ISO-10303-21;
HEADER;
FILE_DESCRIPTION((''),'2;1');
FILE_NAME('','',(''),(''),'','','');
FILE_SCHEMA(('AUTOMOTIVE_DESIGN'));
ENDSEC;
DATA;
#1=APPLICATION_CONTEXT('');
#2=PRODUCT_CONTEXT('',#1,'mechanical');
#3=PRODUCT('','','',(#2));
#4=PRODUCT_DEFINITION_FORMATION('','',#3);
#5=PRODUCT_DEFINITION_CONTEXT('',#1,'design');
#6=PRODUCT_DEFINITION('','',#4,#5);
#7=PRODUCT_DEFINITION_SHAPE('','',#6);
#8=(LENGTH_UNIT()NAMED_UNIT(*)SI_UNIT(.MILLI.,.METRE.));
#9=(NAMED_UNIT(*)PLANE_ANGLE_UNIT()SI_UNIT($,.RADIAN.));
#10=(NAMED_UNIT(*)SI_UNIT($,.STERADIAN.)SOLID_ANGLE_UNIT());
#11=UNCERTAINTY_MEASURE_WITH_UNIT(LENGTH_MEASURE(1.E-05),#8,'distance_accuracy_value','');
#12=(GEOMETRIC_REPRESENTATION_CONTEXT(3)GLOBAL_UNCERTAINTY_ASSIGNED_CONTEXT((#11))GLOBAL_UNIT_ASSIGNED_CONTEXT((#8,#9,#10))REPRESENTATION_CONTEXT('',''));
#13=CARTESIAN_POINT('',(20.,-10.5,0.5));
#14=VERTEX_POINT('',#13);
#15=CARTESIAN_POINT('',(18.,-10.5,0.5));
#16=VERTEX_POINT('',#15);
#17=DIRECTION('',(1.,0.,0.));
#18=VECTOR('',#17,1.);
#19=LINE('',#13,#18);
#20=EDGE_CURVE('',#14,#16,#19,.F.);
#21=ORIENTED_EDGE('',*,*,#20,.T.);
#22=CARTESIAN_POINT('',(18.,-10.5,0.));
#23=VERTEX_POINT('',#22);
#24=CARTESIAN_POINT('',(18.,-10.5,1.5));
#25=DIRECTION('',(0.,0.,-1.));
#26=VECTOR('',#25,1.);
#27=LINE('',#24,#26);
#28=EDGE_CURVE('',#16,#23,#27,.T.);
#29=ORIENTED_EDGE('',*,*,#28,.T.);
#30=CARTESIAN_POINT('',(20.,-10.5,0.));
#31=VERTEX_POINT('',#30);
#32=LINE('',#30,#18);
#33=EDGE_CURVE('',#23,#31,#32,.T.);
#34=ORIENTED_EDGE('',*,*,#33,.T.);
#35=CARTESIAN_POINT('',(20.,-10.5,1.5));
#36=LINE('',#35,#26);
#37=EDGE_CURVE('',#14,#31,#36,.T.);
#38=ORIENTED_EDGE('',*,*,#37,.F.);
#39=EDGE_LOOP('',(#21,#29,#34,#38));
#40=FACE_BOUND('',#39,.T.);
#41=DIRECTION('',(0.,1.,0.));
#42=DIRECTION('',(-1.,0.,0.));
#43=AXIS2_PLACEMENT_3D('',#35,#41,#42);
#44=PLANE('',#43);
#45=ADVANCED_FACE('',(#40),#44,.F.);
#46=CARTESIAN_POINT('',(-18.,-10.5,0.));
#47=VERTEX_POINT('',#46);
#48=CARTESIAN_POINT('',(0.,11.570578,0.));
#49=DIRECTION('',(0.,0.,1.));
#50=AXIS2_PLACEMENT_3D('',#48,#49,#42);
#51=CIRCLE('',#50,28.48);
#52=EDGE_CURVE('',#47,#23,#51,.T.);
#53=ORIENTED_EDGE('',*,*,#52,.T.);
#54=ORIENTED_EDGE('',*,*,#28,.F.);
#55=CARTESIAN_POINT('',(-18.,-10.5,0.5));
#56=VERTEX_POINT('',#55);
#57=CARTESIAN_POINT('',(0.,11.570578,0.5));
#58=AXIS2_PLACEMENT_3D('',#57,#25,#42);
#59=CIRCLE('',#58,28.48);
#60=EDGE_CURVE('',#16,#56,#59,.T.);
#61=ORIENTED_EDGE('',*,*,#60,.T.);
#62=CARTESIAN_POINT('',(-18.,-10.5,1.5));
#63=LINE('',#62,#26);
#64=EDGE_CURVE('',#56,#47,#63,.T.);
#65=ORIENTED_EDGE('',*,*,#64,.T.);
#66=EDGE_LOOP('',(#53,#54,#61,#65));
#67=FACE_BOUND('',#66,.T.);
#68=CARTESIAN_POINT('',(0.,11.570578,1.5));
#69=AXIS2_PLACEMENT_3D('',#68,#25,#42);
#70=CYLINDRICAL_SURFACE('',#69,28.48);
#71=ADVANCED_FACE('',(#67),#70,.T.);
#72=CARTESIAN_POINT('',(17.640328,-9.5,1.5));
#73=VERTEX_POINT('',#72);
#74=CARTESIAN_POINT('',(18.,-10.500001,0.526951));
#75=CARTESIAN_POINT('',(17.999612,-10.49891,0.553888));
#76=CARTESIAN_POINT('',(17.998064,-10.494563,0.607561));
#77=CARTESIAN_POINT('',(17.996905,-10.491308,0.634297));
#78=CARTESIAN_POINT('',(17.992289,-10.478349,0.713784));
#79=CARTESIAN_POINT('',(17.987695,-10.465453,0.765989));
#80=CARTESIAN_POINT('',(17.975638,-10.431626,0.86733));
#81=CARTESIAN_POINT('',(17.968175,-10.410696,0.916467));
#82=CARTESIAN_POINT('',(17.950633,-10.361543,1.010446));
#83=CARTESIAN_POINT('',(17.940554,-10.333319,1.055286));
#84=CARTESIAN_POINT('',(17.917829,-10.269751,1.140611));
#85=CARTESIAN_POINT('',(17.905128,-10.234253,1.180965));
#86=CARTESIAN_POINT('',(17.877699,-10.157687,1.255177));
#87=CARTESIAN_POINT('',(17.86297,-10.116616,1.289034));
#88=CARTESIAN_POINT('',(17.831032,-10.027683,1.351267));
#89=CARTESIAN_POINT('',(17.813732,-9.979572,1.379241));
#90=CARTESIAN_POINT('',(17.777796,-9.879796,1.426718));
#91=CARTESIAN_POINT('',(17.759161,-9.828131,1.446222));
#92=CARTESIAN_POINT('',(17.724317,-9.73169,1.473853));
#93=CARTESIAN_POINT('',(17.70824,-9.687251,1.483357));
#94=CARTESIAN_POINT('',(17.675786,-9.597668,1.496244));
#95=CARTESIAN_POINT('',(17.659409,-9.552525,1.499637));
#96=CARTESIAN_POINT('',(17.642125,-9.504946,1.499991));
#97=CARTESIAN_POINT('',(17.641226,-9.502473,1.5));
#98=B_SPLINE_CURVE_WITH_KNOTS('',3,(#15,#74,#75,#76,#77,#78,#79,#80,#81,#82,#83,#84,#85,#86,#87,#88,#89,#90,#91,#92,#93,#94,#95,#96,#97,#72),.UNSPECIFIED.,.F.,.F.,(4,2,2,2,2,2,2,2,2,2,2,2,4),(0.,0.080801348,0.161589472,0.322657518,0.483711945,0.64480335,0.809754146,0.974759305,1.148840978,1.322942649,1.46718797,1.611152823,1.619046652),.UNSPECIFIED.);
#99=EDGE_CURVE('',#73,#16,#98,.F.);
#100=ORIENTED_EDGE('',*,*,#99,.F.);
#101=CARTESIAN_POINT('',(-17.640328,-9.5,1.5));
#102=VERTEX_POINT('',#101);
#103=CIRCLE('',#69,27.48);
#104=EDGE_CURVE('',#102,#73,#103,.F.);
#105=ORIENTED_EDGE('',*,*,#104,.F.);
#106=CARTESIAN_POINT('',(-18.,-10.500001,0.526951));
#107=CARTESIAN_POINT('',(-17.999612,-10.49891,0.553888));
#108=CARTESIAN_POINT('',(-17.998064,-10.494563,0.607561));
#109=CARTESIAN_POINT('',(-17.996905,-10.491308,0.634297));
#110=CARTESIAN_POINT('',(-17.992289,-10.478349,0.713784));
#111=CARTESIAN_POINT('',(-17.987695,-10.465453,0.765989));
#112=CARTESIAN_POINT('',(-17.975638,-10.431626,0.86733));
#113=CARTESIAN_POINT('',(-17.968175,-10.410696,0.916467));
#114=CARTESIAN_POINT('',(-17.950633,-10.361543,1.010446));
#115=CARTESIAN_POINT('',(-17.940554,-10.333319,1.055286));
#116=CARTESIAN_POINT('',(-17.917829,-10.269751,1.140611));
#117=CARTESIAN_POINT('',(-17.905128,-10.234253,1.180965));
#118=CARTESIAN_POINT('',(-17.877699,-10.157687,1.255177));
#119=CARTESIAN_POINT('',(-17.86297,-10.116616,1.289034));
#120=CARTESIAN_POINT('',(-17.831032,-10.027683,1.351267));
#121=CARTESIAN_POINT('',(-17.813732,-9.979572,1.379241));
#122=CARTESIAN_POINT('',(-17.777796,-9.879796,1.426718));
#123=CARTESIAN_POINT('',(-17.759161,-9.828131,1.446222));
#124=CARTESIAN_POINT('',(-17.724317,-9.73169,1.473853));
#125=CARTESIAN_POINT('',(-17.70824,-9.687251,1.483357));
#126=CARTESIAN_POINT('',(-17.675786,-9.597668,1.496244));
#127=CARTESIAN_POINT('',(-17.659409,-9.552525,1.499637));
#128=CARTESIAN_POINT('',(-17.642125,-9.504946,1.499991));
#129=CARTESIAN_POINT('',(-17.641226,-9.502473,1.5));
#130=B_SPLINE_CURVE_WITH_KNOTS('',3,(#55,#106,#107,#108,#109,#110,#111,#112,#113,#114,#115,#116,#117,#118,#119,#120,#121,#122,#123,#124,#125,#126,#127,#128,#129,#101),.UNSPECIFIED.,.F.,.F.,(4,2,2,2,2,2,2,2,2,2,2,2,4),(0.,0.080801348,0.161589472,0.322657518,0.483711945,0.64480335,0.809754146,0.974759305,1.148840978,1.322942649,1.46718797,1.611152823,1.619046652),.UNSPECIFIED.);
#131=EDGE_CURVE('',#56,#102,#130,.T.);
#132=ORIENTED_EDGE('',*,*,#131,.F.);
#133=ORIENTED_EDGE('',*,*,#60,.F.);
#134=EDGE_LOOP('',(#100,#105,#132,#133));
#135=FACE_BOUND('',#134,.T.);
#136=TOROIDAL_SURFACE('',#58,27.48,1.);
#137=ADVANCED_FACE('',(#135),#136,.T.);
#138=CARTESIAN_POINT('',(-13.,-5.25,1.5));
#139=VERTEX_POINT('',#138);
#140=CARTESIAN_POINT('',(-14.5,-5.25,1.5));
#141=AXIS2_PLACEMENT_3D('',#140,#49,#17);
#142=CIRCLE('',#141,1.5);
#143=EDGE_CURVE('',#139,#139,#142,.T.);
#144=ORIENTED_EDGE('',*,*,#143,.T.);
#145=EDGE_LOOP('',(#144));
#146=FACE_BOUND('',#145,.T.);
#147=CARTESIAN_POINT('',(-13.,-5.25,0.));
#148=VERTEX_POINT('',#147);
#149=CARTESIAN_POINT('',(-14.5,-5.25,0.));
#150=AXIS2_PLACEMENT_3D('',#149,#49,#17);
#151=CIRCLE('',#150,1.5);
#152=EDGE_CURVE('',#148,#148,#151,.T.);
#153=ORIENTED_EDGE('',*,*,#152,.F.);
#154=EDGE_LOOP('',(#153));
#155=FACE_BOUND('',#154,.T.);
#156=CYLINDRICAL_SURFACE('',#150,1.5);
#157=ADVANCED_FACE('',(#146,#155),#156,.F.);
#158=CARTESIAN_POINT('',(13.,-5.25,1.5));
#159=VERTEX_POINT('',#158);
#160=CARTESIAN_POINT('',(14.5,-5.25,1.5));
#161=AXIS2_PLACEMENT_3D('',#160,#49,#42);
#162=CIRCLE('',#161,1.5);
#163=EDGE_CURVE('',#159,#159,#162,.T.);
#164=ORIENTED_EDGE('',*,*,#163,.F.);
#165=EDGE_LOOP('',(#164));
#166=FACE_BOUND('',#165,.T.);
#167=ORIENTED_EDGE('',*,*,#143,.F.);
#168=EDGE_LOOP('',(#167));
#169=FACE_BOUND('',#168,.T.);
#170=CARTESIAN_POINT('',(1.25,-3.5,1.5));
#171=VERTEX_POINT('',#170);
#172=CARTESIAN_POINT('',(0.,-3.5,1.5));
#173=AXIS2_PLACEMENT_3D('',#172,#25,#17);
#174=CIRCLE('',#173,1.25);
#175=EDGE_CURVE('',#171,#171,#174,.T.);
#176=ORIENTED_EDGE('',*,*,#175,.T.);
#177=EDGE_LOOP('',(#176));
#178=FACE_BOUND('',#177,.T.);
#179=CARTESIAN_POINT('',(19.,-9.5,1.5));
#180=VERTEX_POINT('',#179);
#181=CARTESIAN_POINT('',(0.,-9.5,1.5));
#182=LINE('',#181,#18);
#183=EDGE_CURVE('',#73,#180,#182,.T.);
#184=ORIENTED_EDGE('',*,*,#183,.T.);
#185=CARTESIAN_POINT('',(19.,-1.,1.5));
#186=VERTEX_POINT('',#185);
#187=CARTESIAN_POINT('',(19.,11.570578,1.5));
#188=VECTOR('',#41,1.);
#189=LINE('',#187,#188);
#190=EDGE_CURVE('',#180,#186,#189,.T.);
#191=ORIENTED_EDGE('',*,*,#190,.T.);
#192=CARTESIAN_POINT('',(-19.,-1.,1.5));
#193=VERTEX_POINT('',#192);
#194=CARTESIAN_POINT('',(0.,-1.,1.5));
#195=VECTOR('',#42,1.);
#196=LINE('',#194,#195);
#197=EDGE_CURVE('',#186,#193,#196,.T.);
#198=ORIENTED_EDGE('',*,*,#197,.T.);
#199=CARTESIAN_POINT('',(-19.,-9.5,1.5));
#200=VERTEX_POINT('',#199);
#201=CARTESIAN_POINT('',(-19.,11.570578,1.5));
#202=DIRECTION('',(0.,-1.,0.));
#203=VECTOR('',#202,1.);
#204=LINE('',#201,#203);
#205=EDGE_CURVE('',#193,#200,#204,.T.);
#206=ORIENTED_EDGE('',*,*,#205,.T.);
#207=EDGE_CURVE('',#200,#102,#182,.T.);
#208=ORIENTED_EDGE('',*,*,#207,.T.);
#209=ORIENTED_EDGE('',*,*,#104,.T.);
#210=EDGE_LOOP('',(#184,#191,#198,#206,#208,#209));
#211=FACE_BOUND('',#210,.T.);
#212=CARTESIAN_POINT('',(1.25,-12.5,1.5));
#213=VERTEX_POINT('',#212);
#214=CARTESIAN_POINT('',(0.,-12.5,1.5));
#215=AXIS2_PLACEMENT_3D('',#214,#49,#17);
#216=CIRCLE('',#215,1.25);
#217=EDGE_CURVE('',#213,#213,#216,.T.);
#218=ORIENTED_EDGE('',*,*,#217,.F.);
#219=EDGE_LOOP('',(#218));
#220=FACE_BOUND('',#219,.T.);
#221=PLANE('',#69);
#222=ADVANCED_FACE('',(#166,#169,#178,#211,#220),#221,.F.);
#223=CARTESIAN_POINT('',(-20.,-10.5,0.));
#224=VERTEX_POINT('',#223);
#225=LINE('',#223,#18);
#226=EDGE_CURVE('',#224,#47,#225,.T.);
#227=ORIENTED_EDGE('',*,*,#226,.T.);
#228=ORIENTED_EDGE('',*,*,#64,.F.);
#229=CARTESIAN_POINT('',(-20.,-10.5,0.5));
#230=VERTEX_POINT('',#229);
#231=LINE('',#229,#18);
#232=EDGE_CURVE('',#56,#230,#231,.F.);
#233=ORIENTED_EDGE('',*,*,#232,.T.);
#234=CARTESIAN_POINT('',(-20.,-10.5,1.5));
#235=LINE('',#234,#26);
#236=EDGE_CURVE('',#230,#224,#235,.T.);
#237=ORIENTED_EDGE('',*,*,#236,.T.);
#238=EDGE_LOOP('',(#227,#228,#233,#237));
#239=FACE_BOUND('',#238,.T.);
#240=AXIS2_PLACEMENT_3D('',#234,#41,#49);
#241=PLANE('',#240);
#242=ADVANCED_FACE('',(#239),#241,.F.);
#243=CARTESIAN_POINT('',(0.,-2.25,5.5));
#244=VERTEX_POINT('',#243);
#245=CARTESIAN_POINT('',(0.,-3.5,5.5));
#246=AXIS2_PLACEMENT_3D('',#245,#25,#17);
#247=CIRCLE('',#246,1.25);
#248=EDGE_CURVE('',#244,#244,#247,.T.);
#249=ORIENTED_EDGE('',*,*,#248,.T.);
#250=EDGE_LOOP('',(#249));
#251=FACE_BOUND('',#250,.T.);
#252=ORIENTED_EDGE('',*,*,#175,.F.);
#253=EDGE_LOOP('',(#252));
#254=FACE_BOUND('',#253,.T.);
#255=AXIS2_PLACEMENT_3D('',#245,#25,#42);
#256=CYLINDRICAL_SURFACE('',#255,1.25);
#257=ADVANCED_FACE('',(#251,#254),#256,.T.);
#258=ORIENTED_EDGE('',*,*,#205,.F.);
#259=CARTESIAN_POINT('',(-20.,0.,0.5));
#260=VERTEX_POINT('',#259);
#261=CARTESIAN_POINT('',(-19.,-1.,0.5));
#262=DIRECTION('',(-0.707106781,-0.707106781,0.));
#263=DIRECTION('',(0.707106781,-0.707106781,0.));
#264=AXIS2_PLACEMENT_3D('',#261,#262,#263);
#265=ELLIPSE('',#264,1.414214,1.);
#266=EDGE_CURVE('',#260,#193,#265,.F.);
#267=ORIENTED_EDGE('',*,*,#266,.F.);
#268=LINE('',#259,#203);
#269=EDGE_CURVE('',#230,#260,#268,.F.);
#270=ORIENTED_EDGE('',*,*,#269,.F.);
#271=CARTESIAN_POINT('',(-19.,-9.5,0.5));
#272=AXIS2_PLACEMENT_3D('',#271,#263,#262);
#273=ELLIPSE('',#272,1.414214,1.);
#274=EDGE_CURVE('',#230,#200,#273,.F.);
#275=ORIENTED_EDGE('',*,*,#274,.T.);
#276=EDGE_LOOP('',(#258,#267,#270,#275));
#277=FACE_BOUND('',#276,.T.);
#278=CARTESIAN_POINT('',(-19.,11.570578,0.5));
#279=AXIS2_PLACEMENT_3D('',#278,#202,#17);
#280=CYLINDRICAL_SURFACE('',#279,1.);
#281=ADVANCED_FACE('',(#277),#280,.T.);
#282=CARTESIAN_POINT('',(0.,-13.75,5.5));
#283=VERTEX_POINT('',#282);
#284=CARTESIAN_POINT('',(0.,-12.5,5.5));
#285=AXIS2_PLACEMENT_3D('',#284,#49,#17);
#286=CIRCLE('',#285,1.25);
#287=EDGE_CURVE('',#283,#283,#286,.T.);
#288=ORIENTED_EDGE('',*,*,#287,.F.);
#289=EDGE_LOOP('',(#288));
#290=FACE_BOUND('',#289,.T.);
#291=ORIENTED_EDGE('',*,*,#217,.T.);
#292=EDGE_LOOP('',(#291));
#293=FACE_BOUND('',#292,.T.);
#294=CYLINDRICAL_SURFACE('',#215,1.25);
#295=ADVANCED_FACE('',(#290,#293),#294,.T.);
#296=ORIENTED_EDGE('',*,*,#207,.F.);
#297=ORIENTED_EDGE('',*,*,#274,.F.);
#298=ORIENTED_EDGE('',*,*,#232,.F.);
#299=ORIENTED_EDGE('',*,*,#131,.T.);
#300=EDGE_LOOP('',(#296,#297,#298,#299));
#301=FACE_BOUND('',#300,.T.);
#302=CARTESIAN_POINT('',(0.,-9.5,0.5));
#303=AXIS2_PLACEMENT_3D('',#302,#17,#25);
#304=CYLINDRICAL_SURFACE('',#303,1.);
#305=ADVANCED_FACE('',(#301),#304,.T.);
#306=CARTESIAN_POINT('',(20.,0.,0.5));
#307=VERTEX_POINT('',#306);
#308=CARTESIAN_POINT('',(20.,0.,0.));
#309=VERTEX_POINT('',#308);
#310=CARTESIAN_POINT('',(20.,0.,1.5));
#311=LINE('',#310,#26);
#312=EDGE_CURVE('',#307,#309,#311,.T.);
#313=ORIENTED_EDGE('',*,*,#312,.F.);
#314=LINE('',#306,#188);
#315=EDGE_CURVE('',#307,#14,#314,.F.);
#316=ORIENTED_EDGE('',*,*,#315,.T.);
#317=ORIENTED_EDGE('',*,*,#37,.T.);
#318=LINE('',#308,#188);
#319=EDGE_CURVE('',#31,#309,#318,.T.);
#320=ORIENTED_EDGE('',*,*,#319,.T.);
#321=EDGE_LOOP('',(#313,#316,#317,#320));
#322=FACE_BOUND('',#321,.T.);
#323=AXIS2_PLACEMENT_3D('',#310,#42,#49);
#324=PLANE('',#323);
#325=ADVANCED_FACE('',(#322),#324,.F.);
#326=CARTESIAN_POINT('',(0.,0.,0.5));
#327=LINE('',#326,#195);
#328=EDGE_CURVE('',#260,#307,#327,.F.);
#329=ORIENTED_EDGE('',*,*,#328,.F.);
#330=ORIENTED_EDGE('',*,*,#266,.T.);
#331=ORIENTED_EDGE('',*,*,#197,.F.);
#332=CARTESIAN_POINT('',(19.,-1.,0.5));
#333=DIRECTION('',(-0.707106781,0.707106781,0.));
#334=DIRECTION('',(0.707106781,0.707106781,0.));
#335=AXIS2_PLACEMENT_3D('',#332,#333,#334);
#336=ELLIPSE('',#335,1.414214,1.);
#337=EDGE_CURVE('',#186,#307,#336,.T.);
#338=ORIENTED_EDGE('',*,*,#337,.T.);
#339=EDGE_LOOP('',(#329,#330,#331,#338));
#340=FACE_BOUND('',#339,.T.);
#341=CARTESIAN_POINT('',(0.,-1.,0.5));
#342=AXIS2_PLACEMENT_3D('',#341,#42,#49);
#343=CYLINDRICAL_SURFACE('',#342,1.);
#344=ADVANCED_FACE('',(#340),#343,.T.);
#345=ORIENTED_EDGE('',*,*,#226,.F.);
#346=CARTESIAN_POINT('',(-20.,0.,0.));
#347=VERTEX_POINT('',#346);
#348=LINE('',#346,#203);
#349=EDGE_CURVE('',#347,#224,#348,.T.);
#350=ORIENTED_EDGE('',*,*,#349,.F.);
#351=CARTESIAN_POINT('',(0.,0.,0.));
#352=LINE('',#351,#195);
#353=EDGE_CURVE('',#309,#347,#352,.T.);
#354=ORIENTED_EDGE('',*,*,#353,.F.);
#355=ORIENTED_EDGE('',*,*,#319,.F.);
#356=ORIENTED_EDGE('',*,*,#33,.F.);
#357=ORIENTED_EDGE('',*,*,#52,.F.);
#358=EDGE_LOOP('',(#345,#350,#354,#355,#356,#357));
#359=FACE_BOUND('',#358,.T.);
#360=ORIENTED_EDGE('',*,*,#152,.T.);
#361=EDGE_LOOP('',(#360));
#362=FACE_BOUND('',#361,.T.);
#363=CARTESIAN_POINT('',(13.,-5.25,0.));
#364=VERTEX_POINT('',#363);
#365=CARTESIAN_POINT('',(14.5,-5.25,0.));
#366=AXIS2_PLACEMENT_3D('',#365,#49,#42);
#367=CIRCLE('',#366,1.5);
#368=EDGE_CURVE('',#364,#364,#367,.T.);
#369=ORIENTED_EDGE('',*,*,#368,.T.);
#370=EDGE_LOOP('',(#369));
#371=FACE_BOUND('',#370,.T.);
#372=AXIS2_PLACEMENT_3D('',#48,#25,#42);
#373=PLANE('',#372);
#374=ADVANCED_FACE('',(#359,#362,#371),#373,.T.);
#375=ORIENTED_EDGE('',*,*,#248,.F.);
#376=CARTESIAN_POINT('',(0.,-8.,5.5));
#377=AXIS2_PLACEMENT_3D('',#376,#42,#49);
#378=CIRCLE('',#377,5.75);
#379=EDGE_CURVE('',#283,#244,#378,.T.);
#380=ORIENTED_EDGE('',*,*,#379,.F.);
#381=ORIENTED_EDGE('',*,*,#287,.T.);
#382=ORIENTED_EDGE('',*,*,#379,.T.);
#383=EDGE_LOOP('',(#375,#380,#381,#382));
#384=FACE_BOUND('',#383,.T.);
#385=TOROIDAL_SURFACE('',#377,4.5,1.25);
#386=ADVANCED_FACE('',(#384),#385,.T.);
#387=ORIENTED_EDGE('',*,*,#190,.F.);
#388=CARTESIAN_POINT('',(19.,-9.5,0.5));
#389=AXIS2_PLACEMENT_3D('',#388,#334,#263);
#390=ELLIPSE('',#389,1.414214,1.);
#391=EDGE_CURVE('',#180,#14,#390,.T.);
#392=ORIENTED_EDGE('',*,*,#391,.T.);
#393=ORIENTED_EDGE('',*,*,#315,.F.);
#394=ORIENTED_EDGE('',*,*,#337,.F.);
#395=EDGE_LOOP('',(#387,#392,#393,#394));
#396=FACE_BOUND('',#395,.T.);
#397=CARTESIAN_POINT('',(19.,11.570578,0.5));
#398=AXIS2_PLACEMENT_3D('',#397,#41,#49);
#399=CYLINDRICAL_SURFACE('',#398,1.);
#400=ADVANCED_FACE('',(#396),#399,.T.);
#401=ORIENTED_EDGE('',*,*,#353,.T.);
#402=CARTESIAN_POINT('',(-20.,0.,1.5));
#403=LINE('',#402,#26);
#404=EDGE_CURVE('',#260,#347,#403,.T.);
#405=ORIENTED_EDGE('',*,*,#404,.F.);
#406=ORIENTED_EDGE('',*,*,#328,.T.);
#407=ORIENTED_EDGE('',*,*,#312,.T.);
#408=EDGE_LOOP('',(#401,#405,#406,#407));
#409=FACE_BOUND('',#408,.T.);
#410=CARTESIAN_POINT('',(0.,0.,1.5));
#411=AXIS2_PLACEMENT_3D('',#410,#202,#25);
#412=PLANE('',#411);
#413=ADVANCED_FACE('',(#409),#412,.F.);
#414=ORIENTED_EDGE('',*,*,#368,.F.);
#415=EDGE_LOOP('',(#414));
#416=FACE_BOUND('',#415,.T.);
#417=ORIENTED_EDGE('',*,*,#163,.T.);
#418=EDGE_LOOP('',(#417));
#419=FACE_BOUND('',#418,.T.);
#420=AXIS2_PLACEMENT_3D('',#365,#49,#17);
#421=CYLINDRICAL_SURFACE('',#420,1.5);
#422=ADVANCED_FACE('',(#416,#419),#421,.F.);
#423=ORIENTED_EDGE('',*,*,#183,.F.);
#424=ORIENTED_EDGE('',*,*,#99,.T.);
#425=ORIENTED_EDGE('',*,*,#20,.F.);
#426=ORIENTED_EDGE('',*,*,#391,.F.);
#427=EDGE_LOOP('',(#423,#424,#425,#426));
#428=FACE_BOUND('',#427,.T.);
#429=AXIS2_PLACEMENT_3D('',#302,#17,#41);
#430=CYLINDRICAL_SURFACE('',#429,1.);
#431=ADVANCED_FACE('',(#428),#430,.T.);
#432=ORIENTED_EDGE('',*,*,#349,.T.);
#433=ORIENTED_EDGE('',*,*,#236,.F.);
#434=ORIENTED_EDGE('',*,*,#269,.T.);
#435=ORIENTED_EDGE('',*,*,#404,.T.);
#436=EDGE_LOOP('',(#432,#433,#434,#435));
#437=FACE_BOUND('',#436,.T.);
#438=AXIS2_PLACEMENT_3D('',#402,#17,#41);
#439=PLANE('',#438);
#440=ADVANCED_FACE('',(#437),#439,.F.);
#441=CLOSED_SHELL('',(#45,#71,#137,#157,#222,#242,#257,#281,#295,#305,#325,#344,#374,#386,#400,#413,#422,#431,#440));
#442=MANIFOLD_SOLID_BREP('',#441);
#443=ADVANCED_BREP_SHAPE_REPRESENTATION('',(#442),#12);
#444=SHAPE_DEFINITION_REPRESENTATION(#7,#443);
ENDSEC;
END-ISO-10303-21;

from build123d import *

# Parameters (mm, degrees)
BOSS_EXTRUDE1_DEPTH = 1.5
SKETCH2_R           = 1.5
CUT_EXTRUDE1_DEPTH  = 1.5
SKETCH3_R           = 1.25
FILLET1_R           = 1


with BuildPart() as part:
    # Sketch1 → Boss-Extrude1 (new body)
    with BuildSketch(Plane.XY):
        with BuildLine():
            Line((0, 0), (20, 0))
            Line((20, 0), (20, -10.5))
            Line((20, -10.5), (18, -10.5))
            ThreePointArc((18, -10.5), (0, -16.9094223), (-18, -10.5))
            Line((-18, -10.5), (-20, -10.5))
            Line((-20, -10.5), (-20, 0))
            Line((-20, 0), (0, 0))
        make_face()
    extrude(amount=BOSS_EXTRUDE1_DEPTH)

    # Sketch2 → Cut-Extrude1 (cut)
    with BuildSketch(Plane.XY.offset(1.5)):
        with Locations((-14.5, -5.25)):
            Circle(SKETCH2_R)
        with Locations((14.5, -5.25)):
            Circle(SKETCH2_R)
    extrude(amount=-CUT_EXTRUDE1_DEPTH, mode=Mode.SUBTRACT)

    # Sweep2: sweep along a path in Sketch4
    with BuildLine(Plane(origin=(0, 0, 0), x_dir=(0, 0, -1), z_dir=(1, 0, 0))) as sweep2_path:
        Line((-1.5, -3.5), (-5.5, -3.5))
        ThreePointArc((-5.5, -3.5), (-10, -8), (-5.5, -12.5))
        Line((-5.5, -12.5), (-1.5, -12.5))
    # Sketch3 → Sweep2 (sweep)
    with BuildSketch(Plane.XY.offset(1.5)):
        with Locations((0, -12.5)):
            Circle(SKETCH3_R)
    sweep(path=sweep2_path.line)

    # Fillet1
    fillet1_edges = [part.edges().sort_by_distance(p)[0] for p in [
        (-19, -10.5, 1.5),
        (0, -16.9094223, 1.5),
        (19, -10.5, 1.5),
        (20, -5.25, 1.5),
        (0, 0, 1.5),
        (-20, -5.25, 1.5),
    ]]
    fillet(fillet1_edges, radius=FILLET1_R)


solid = part.part
